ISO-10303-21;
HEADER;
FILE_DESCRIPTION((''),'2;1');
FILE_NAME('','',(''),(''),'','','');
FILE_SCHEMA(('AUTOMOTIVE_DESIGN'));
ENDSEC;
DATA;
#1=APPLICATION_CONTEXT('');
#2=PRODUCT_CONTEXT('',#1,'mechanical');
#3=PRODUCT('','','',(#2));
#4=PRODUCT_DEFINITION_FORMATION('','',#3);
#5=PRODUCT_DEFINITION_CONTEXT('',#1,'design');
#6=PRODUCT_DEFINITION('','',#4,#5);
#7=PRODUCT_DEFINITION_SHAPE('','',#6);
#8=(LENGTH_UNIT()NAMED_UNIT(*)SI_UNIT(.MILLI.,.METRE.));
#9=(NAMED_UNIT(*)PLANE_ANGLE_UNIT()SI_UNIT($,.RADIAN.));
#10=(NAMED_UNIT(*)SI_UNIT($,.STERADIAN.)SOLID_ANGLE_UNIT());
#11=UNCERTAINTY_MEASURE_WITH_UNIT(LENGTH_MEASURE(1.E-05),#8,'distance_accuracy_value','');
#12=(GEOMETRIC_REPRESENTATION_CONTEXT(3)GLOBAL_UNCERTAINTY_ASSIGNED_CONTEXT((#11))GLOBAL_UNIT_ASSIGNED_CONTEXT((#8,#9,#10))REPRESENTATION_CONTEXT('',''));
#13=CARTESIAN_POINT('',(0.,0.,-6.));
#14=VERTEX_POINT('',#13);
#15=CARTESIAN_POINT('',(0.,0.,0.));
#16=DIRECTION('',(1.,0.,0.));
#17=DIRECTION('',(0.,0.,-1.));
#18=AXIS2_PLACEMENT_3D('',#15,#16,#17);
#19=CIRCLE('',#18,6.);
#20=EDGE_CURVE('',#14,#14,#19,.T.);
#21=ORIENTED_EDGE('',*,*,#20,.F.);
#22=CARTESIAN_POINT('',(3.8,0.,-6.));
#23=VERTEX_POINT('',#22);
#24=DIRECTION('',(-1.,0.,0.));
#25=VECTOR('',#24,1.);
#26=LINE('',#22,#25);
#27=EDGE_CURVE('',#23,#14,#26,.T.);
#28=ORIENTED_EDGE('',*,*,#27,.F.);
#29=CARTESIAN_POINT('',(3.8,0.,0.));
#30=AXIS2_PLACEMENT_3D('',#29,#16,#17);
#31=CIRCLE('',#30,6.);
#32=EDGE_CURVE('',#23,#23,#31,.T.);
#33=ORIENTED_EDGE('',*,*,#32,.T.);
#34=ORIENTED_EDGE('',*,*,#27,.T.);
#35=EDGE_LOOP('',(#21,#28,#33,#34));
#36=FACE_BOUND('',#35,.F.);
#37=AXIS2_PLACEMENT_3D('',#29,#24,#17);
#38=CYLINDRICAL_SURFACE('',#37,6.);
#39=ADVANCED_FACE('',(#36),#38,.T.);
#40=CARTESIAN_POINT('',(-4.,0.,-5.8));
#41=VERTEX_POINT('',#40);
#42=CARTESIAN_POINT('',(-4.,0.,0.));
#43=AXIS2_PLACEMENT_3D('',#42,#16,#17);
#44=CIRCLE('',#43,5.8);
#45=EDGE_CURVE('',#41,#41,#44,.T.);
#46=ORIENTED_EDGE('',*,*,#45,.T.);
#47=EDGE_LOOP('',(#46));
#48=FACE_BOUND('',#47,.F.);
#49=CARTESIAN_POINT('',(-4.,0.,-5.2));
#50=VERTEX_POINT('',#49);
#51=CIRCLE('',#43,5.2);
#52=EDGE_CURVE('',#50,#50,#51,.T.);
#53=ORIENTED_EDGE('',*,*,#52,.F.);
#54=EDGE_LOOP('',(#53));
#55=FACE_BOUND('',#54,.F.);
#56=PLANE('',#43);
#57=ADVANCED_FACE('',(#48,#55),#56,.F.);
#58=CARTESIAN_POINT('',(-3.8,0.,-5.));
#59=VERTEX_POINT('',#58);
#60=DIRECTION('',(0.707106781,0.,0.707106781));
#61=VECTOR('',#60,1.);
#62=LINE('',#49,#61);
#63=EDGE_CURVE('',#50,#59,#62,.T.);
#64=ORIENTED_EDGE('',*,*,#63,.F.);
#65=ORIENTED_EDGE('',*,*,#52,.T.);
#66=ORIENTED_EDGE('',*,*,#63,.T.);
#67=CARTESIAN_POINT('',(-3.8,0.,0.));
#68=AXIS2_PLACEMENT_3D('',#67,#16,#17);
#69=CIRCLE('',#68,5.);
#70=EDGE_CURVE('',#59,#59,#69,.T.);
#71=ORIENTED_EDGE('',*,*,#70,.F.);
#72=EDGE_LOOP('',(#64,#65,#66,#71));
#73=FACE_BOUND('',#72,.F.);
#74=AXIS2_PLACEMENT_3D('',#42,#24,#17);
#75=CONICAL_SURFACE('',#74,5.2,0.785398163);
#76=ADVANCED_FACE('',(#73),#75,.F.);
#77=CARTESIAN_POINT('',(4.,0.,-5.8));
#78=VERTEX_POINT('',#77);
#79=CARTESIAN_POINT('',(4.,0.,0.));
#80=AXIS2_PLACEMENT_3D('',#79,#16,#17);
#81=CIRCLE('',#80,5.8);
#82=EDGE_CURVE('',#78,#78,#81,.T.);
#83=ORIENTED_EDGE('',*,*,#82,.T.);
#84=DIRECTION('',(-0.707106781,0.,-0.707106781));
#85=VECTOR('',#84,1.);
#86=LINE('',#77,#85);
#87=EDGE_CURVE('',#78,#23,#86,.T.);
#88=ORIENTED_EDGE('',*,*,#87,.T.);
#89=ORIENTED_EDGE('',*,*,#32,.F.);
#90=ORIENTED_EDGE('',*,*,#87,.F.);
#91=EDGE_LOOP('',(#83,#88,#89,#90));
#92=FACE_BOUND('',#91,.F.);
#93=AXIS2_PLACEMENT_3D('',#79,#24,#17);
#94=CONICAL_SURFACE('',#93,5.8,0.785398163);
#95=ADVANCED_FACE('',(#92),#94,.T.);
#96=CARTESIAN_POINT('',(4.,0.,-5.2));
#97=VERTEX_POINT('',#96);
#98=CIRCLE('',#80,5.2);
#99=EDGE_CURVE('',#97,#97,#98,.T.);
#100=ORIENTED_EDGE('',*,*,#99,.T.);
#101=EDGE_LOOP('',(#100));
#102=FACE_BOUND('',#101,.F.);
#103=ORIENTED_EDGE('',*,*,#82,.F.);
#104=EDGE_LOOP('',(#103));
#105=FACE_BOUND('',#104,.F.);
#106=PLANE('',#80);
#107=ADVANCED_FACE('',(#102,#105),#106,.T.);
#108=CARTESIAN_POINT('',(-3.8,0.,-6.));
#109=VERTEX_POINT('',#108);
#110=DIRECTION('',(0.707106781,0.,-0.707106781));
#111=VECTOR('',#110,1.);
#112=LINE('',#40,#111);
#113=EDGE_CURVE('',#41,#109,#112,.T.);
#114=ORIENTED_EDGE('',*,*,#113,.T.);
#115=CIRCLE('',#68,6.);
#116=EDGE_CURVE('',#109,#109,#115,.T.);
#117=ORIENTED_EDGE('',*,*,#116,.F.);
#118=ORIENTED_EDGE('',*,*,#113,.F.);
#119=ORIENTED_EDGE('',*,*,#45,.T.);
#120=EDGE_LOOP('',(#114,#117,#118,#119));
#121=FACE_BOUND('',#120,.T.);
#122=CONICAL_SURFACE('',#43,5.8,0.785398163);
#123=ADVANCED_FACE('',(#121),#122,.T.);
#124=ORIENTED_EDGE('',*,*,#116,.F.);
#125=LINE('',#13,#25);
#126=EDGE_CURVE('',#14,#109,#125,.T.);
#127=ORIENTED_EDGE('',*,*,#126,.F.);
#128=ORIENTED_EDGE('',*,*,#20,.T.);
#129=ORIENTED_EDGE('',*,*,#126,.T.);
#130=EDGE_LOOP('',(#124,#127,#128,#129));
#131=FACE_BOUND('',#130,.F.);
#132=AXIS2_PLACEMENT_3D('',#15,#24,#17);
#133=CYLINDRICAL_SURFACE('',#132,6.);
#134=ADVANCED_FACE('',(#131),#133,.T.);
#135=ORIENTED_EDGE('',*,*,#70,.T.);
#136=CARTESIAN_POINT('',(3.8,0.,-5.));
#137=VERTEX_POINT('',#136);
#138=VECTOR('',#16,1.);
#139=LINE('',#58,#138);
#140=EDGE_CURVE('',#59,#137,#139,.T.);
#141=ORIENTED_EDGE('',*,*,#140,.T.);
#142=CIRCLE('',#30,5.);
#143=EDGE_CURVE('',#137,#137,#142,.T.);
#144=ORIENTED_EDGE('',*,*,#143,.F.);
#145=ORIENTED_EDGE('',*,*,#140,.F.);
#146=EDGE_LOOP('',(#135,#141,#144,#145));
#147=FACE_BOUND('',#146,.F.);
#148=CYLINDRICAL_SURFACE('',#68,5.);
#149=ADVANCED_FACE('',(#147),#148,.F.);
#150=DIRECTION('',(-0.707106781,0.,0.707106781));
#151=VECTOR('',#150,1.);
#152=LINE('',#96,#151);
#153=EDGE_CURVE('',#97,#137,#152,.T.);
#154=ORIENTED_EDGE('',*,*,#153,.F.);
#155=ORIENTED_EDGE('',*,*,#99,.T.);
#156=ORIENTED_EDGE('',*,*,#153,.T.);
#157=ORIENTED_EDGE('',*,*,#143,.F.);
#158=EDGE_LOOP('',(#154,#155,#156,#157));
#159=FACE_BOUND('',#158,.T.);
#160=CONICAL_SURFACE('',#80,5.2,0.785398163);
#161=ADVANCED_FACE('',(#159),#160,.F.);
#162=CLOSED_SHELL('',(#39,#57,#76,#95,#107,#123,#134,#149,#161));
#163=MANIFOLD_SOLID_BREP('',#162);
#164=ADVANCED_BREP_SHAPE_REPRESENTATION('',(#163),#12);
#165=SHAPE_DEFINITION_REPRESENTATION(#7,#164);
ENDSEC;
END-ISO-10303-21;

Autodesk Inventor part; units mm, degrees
ref_plane "YZ Plane" through (0, 0, 0) normal (1, 0, 0) x (0, 1, 0)
ref_plane "XZ Plane" through (0, 0, 0) normal (0, 1, 0) x (-1, 0, 0)
ref_plane "XY Plane" through (0, 0, 0) normal (0, 0, 1) x (1, 0, 0)
sketch "スケッチ1" plane through (0, 0, 0) normal (0, 1, 0) x (-1, 0, 0)
  line L0 (0, 3.2045) -> (0, -8.6364) construction
  line L1 (6.7273, 0) -> (-4.6136, 0) construction
  line L2 (-4, -6) -> (-3.8, -6) construction
  line L3 (4, -6) -> (4, -5.8) construction
  line L4 (4, -5) -> (3.8, -5) construction
  line L5 (-4, -5) -> (-4, -5.2) construction
  line L6 (-4, -6) -> (4, -5) construction
  line L7 (4, -6) -> (-4, -5) construction
  line L8 (4, -5.8) -> (3.8, -6)
  line L9 (4, -5.5) -> (-4, -5.5) construction
  line L10 (4, -5.2) -> (3.8, -5)
  line L11 (-4, -5.8) -> (-3.8, -6)
  line L12 (-4, -5.2) -> (-3.8, -5)
  line L13 (4, -5.2) -> (4, -5) construction
  line L14 (3.8, -5) -> (-3.8, -5)
  line L15 (4, -5.8) -> (4, -5.2)
  line L16 (3.8, -6) -> (4, -6) construction
  line L17 (-4, -5.8) -> (-4, -6) construction
  line L18 (-3.8, -6) -> (0, -6)
  line L19 (-4, -5.2) -> (-4, -5.8)
  line L20 (-3.8, -5) -> (-4, -5) construction
  line L21 (0, -6) -> (3.8, -6)
  point P0 (0, 0)
  point P1 (0, -5.5)
  dimension "d1" = 8
  dimension "d2" = 5
  dimension "d3" = 0.2
  dimension "d4" = 0.2
  dimension "d5" = 1
revolve "回転1" add sketch "スケッチ1" angle 360 about axis through (-6.7273, 0, 0) along (1, 0, 0)
equation "\"d4\" = d3"
properties part number "WSSS-12-10-8" material "ステンレス鋼 AISI 304"
